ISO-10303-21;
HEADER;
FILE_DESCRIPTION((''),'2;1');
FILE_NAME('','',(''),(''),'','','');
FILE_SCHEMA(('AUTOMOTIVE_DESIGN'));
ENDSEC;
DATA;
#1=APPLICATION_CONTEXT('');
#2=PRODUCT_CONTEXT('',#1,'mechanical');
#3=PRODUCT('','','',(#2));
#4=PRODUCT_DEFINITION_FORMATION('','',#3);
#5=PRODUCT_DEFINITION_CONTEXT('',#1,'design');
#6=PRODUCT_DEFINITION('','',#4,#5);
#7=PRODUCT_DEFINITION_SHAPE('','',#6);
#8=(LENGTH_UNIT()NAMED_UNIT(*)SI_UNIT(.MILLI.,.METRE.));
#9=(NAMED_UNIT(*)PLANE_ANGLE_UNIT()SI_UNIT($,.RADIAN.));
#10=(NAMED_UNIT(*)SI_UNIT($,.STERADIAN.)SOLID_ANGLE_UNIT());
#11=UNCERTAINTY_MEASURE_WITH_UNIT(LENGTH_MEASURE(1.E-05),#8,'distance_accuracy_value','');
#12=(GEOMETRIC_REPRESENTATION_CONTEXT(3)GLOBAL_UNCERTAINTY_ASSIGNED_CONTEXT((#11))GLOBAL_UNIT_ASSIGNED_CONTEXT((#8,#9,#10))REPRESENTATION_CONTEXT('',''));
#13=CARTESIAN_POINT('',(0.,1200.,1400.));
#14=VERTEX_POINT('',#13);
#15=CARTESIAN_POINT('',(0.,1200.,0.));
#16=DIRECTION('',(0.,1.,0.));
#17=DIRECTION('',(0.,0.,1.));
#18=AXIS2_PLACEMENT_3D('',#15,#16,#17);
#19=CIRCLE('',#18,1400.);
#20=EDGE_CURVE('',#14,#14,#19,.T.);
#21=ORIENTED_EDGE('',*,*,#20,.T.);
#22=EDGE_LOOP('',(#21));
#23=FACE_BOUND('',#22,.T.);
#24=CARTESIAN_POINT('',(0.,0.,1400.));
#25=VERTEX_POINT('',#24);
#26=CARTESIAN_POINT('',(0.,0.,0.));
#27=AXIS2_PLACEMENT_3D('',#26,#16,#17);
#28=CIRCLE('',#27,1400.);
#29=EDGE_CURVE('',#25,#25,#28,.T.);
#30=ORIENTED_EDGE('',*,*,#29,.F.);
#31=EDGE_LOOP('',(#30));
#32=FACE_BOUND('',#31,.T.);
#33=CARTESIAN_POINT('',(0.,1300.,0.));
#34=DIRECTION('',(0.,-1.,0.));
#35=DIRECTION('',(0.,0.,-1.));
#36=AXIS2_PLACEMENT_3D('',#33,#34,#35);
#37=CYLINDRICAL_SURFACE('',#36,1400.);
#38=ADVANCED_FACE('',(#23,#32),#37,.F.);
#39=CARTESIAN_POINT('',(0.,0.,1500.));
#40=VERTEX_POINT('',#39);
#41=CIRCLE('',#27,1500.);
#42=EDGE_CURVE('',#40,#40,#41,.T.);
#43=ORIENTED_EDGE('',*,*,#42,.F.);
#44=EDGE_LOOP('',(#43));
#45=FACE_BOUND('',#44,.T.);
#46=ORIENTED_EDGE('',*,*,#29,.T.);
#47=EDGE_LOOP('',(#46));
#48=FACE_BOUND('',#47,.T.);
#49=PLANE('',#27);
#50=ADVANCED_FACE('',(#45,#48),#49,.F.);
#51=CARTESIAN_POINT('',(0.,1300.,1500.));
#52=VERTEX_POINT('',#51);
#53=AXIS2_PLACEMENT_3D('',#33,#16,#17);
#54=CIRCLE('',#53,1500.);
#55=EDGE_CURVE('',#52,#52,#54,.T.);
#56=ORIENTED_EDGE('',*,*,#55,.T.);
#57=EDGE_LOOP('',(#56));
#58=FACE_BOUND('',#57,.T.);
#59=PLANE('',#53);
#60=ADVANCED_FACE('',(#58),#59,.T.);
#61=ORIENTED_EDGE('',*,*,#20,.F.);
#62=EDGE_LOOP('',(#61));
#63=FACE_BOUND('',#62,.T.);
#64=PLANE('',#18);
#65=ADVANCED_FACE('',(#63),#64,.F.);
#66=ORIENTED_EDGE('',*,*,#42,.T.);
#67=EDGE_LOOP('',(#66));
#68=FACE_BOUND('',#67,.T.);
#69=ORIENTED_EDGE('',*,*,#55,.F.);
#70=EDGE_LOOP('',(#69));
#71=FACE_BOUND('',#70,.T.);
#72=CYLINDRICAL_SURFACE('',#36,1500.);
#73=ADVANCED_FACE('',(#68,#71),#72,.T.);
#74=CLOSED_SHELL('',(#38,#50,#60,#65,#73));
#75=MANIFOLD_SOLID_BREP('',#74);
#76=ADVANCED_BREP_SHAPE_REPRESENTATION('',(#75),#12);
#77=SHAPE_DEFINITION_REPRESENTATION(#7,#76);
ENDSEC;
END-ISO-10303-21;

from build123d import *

# Parameters (mm, degrees)
SKETCH2_R           = 1500
BOSS_EXTRUDE1_DEPTH = 1300
SHELL4_T            = -100


with BuildPart() as part:
    # Sketch2 → Boss-Extrude1 (new body)
    with BuildSketch(Plane(origin=(0, 0, 0), x_dir=(1, 0, 0), z_dir=(0, 1, 0))):
        with Locations(Location((0, 0, 0), (0, 0, 270))):
            Circle(SKETCH2_R)
    extrude(amount=BOSS_EXTRUDE1_DEPTH)

    # Shell4
    shell4_openings = [part.faces().sort_by_distance(p)[0] for p in [
        (0, 0, 0),
    ]]
    offset(amount=SHELL4_T, openings=shell4_openings, kind=Kind.INTERSECTION)


solid = part.part
